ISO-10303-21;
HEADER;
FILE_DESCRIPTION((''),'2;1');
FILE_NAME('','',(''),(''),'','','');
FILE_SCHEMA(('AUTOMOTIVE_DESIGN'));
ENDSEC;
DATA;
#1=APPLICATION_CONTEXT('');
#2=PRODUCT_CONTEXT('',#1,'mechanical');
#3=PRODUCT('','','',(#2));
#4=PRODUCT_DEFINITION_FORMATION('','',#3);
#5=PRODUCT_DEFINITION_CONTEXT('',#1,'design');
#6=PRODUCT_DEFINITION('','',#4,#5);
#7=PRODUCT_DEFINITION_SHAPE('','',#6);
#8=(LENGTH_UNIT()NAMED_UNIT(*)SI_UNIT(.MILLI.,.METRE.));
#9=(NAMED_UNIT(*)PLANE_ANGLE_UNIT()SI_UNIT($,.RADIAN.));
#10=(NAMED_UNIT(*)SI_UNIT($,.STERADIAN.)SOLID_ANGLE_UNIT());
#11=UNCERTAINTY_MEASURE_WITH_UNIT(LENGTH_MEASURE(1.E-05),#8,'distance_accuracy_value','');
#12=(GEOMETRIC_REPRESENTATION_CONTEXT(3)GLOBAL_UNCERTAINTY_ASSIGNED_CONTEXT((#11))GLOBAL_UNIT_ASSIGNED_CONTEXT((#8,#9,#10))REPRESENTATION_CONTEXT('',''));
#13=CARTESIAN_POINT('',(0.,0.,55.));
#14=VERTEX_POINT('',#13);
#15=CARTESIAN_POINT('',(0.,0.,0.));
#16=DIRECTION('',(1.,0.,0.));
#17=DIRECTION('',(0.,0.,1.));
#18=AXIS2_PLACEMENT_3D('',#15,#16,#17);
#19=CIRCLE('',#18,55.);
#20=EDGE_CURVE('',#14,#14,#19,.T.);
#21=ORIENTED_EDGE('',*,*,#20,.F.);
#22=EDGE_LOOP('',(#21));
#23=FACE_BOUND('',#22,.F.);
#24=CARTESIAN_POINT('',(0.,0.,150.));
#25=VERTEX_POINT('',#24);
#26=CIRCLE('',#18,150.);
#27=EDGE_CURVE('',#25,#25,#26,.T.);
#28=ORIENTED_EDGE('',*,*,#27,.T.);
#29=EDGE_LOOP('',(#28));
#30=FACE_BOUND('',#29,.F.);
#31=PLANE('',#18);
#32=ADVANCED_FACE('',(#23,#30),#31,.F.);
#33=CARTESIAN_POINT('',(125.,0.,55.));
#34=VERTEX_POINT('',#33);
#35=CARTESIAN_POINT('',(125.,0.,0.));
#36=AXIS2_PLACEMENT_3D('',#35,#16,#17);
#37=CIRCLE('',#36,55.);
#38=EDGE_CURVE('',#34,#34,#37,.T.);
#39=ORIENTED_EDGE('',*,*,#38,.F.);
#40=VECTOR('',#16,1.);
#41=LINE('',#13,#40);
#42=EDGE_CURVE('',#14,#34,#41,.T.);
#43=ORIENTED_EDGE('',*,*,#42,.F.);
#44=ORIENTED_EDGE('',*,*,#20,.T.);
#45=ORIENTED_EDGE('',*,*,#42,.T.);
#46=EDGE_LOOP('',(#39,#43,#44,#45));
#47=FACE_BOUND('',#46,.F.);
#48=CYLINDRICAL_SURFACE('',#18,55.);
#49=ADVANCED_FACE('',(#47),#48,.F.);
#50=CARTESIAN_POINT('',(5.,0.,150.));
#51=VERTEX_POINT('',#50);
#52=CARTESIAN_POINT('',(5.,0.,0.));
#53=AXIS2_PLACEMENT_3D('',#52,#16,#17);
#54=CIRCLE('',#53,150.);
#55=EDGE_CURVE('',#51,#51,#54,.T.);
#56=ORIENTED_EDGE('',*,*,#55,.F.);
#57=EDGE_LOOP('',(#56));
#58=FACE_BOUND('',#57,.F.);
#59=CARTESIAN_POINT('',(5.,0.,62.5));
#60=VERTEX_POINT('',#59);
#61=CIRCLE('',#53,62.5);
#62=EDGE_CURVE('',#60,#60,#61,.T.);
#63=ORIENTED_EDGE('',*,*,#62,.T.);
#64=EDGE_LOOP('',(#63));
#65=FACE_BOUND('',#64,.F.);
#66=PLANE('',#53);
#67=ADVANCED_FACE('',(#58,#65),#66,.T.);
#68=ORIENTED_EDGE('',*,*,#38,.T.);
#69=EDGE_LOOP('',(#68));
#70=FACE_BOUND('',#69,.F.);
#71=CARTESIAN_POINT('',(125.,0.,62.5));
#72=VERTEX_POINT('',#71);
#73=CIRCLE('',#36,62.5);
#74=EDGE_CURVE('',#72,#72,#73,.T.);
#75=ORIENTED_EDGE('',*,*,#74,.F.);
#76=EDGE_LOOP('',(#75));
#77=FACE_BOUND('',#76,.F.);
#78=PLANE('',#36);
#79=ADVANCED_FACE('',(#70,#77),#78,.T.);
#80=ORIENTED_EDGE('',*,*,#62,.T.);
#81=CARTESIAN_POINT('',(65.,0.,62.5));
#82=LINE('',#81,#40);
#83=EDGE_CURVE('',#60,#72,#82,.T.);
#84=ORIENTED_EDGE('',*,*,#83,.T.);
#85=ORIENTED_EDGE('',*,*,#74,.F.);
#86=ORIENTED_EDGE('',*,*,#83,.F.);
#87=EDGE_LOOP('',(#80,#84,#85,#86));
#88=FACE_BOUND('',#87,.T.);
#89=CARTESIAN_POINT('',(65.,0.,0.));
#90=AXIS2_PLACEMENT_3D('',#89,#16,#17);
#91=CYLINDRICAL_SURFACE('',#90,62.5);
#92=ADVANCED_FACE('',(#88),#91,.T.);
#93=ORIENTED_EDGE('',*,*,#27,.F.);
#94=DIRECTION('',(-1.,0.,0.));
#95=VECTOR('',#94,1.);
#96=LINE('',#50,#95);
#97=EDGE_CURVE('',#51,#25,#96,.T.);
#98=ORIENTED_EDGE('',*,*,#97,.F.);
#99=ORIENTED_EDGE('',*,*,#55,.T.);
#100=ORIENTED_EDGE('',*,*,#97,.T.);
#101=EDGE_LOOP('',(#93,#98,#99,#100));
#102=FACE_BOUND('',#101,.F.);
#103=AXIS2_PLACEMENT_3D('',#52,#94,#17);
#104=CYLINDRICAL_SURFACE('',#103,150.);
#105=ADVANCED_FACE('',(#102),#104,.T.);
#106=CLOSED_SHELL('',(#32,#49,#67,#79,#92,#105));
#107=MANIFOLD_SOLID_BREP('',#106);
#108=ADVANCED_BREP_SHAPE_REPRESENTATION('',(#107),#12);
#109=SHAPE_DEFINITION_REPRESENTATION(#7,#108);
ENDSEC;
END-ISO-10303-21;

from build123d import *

# Parameters (mm, degrees)
F0_W     = 120
F0_H     = 7.5
F2_R     = 8.5
F3_DEPTH = 5


with BuildPart() as f1:
    # F0 (on Front) → F1 (revolve)
    with BuildSketch(Plane.XZ):
        Polygon((5, 150), (0, 150), (0, 55), (5, 55), (5, 62.5), align=None)
        with Locations((65, 58.75)):
            Rectangle(F0_W, F0_H)
    revolve(axis=Axis((38.455144, 0, 0), (1, 0, 0)))

    # F2 (on face) → F3 (join, through all)
    with BuildSketch(Plane.YZ.offset(5)):
        with Locations((-120, 0)):
            Circle(F2_R)
    extrude(amount=-F3_DEPTH)


solid = f1.part
